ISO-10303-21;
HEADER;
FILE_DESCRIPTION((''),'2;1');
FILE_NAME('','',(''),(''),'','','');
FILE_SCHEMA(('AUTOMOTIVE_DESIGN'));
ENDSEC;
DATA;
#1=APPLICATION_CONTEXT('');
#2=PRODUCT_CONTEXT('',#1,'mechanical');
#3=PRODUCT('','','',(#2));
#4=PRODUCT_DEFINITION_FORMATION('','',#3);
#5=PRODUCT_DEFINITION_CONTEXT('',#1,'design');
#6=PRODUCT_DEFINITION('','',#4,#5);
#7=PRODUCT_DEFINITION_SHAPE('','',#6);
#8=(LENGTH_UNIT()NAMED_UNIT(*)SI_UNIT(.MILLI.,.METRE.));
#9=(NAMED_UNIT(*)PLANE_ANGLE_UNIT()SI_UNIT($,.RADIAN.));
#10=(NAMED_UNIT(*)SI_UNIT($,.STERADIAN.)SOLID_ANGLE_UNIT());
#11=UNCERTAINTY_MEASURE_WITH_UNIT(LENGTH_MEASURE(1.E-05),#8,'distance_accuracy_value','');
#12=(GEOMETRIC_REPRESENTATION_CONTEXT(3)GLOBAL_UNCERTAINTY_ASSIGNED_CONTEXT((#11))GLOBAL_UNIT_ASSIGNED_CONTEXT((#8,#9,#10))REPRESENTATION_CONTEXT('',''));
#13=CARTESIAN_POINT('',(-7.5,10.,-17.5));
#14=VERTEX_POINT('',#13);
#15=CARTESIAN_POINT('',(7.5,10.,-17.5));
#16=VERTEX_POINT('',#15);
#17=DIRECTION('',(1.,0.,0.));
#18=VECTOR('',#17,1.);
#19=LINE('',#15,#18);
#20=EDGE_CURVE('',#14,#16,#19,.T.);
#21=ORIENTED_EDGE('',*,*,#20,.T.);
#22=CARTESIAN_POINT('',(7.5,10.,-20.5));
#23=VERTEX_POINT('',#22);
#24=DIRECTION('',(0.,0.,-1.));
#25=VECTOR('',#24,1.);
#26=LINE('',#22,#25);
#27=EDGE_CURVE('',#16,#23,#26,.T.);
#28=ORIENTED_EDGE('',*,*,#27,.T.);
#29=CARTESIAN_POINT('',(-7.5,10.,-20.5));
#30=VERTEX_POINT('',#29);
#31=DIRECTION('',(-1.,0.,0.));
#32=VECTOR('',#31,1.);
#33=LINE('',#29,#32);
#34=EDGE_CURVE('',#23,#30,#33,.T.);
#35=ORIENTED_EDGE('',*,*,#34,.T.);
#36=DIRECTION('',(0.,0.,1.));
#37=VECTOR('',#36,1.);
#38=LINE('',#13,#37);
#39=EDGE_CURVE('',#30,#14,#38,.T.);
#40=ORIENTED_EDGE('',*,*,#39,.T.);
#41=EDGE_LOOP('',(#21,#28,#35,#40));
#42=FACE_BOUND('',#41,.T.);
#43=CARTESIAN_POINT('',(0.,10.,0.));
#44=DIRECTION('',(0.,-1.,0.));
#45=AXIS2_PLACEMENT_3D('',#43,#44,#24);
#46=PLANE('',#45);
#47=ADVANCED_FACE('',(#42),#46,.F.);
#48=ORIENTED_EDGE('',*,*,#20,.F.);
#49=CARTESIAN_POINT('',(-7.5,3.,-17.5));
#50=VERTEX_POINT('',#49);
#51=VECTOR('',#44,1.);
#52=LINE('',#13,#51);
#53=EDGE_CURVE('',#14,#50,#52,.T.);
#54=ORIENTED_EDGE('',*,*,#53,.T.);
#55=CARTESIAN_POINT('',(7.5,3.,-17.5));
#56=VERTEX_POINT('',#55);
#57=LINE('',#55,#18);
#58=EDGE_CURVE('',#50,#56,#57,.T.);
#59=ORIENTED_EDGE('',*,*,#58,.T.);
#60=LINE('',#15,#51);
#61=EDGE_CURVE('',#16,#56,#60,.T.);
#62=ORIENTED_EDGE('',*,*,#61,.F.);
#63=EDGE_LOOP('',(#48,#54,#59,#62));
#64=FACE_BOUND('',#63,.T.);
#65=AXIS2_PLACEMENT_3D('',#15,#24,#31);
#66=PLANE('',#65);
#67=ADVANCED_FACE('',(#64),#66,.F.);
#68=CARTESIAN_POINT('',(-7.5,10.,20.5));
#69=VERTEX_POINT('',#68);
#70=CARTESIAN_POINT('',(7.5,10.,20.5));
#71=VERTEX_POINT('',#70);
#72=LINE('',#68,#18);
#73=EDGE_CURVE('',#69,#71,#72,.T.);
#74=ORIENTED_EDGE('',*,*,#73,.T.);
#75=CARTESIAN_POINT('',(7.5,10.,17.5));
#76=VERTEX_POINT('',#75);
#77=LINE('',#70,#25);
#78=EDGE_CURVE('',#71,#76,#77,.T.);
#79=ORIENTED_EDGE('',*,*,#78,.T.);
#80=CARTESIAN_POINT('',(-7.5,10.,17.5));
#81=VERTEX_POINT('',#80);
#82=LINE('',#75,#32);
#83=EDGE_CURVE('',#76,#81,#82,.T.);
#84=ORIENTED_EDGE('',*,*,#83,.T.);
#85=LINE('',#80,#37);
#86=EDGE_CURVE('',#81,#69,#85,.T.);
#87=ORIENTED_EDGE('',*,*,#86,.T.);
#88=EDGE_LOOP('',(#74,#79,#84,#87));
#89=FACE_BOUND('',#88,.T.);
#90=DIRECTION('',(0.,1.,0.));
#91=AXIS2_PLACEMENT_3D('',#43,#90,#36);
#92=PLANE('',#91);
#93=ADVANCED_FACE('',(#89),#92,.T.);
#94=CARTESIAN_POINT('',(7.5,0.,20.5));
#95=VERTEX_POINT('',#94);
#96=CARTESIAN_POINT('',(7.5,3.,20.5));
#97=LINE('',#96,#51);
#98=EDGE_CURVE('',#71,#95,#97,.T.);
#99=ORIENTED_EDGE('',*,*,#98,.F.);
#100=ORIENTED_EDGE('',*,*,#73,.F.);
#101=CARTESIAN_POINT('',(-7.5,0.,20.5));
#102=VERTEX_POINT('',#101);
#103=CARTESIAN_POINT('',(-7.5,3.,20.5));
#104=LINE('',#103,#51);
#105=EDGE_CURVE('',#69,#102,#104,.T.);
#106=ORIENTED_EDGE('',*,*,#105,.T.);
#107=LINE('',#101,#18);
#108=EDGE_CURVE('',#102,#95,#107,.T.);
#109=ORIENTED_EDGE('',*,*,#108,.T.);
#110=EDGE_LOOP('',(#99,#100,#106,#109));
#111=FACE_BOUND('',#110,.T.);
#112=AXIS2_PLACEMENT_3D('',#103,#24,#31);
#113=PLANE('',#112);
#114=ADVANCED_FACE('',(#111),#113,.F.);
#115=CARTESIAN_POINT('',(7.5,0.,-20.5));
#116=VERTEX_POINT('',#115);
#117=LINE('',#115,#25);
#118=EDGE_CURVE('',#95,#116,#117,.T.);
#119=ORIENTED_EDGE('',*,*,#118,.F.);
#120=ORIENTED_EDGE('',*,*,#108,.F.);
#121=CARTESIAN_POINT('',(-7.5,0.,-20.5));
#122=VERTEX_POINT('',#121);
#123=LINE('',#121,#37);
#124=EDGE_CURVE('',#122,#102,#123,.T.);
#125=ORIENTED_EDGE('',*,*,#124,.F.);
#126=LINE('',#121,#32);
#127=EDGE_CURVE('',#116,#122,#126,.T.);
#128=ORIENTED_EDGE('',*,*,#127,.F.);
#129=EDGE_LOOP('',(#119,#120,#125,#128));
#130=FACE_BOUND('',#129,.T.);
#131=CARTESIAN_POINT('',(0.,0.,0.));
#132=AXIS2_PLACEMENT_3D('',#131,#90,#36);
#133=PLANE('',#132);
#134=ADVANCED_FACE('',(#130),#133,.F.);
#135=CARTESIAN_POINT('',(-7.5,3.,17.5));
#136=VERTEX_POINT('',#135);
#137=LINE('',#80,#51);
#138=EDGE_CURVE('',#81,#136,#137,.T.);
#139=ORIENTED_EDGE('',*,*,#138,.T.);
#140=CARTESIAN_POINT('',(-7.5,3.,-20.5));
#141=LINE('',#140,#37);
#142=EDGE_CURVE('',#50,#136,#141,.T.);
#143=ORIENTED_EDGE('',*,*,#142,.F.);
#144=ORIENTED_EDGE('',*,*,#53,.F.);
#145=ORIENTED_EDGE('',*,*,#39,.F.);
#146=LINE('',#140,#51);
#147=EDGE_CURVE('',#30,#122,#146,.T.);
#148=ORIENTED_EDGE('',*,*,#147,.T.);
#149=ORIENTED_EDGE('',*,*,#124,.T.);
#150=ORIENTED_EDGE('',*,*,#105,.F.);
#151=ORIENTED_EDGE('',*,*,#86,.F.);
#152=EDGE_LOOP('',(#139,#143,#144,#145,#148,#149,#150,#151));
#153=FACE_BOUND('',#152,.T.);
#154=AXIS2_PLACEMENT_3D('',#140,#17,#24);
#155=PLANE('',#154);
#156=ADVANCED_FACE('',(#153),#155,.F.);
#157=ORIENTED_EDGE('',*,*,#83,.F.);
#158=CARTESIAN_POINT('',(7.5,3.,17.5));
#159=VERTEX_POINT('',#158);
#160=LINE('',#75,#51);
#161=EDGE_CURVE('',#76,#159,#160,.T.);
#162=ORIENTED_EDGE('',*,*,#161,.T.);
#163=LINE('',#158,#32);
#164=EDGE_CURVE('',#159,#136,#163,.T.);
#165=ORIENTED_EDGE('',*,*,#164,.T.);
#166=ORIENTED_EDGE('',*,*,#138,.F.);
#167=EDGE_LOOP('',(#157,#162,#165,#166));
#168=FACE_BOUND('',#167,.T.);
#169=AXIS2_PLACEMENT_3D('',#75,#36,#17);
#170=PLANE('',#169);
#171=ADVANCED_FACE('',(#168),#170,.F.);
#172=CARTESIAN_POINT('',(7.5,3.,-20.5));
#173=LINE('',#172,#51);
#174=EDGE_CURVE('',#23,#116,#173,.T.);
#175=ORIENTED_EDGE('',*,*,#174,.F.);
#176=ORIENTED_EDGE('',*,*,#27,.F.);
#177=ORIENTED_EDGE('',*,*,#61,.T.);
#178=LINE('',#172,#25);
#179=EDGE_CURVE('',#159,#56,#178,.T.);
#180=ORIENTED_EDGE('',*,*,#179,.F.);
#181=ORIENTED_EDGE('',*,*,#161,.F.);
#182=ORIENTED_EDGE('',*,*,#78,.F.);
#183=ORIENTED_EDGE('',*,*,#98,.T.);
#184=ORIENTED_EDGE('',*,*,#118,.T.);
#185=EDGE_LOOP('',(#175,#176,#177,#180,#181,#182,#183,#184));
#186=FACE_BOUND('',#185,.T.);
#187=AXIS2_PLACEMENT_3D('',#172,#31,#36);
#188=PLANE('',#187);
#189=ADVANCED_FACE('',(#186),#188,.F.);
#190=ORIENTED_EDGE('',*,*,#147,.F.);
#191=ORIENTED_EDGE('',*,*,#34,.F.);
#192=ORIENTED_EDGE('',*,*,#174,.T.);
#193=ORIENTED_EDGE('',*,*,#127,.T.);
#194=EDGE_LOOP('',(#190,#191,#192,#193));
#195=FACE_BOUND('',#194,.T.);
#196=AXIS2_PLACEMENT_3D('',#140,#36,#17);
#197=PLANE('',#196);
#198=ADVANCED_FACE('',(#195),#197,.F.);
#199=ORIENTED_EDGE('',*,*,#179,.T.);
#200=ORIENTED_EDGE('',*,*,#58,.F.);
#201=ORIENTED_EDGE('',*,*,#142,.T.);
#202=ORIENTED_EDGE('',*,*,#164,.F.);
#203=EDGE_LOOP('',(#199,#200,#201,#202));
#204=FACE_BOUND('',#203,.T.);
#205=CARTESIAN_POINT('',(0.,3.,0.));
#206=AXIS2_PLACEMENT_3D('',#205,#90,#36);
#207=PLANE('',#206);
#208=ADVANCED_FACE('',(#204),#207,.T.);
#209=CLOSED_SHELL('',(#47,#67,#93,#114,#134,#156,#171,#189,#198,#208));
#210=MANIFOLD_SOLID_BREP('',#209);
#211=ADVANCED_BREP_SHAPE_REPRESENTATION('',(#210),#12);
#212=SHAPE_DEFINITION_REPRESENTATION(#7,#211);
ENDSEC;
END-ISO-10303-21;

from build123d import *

# Parameters (mm, degrees)
SKETCH1_W           = 15
SKETCH1_H           = 41
BOSS_EXTRUDE3_DEPTH = 3
SKETCH3_W           = 15
SKETCH3_H           = 3
BOSS_EXTRUDE4_DEPTH = 7
SKETCH4_W           = 15
SKETCH4_H           = 3
BOSS_EXTRUDE5_DEPTH = 7


with BuildPart() as part:
    # Sketch1 → Boss-Extrude3 (new body)
    with BuildSketch(Plane(origin=(0, 0, 0), x_dir=(1, 0, 0), z_dir=(0, 1, 0))):
        Rectangle(SKETCH1_W, SKETCH1_H)
    extrude(amount=BOSS_EXTRUDE3_DEPTH)

    # Sketch3 → Boss-Extrude4 (add)
    with BuildSketch(Plane(origin=(0, 3, 0), x_dir=(1, 0, 0), z_dir=(0, 1, 0))):
        with Locations((0, -19)):
            Rectangle(SKETCH3_W, SKETCH3_H)
    extrude(amount=BOSS_EXTRUDE4_DEPTH)

    # Sketch4 → Boss-Extrude5 (add)
    with BuildSketch(Plane(origin=(0, 3, 0), x_dir=(1, 0, 0), z_dir=(0, 1, 0))):
        with Locations((0, 19)):
            Rectangle(SKETCH4_W, SKETCH4_H)
    extrude(amount=BOSS_EXTRUDE5_DEPTH)


solid = part.part
